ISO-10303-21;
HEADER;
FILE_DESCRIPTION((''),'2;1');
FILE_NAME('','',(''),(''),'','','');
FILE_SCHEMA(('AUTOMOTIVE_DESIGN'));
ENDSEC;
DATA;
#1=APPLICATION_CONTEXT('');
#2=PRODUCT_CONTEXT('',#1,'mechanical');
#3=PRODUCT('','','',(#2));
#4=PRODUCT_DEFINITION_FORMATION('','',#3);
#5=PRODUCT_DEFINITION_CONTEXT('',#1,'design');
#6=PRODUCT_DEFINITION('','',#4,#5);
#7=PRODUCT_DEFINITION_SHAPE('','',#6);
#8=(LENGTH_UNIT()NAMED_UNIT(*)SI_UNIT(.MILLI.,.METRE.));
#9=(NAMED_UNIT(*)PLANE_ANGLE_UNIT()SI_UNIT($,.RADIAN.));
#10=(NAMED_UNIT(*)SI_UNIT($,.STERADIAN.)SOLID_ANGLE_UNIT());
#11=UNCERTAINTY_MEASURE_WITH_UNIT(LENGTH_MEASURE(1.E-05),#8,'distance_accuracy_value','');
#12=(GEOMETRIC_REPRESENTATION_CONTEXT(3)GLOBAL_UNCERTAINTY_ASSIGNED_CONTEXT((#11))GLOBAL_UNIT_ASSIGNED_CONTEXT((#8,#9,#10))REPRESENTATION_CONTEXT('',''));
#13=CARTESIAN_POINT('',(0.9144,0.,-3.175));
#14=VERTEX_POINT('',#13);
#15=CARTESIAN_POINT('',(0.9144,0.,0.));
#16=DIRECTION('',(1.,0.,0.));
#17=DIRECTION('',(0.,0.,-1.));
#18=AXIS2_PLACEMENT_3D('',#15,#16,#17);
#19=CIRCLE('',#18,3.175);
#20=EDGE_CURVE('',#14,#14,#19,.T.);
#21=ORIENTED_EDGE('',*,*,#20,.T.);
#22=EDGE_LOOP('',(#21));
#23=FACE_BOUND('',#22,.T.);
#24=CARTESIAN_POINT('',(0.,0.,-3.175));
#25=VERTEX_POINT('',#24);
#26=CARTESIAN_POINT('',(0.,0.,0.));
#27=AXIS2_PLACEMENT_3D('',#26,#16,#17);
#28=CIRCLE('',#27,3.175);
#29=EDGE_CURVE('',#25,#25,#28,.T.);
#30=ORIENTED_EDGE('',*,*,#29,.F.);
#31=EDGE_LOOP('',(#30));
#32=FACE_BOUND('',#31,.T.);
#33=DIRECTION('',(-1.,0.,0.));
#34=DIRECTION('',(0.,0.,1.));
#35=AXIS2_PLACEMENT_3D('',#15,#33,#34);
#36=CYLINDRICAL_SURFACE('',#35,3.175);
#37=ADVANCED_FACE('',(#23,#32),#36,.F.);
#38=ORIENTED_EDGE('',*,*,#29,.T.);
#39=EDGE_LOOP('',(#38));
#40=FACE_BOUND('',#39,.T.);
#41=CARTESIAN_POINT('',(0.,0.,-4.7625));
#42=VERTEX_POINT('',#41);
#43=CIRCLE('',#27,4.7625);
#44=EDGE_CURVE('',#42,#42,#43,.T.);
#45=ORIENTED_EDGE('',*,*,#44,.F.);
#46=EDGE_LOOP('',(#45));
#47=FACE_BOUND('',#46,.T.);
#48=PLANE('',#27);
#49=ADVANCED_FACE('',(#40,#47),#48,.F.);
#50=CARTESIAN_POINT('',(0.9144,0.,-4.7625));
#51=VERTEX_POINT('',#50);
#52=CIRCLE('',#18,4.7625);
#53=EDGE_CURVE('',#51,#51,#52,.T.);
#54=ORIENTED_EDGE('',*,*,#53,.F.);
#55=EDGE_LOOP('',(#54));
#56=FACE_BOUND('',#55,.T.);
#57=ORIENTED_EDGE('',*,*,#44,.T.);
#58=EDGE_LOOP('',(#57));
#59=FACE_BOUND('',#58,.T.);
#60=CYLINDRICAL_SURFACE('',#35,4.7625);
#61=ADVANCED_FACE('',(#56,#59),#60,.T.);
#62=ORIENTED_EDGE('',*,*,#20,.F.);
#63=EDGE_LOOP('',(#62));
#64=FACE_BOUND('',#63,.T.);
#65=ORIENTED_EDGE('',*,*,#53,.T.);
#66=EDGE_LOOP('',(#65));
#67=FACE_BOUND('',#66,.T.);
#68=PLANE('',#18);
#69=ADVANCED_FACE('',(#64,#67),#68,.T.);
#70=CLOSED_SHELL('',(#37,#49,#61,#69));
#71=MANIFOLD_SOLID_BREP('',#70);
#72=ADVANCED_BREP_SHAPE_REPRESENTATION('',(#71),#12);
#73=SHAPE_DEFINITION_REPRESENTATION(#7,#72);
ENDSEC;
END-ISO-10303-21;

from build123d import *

# Parameters (mm, degrees)
SKETCH1_R           = 4.7625
SKETCH1_R_2         = 3.175
BOSS_EXTRUDE1_DEPTH = 0.9144


with BuildPart() as part:
    # Sketch1 → Boss-Extrude1 (new body)
    with BuildSketch(Plane(origin=(0, 0, 0), x_dir=(0, 0, -1), z_dir=(1, 0, 0))):
        Circle(SKETCH1_R)
        Circle(SKETCH1_R_2, mode=Mode.SUBTRACT)
    extrude(amount=BOSS_EXTRUDE1_DEPTH)


solid = part.part
